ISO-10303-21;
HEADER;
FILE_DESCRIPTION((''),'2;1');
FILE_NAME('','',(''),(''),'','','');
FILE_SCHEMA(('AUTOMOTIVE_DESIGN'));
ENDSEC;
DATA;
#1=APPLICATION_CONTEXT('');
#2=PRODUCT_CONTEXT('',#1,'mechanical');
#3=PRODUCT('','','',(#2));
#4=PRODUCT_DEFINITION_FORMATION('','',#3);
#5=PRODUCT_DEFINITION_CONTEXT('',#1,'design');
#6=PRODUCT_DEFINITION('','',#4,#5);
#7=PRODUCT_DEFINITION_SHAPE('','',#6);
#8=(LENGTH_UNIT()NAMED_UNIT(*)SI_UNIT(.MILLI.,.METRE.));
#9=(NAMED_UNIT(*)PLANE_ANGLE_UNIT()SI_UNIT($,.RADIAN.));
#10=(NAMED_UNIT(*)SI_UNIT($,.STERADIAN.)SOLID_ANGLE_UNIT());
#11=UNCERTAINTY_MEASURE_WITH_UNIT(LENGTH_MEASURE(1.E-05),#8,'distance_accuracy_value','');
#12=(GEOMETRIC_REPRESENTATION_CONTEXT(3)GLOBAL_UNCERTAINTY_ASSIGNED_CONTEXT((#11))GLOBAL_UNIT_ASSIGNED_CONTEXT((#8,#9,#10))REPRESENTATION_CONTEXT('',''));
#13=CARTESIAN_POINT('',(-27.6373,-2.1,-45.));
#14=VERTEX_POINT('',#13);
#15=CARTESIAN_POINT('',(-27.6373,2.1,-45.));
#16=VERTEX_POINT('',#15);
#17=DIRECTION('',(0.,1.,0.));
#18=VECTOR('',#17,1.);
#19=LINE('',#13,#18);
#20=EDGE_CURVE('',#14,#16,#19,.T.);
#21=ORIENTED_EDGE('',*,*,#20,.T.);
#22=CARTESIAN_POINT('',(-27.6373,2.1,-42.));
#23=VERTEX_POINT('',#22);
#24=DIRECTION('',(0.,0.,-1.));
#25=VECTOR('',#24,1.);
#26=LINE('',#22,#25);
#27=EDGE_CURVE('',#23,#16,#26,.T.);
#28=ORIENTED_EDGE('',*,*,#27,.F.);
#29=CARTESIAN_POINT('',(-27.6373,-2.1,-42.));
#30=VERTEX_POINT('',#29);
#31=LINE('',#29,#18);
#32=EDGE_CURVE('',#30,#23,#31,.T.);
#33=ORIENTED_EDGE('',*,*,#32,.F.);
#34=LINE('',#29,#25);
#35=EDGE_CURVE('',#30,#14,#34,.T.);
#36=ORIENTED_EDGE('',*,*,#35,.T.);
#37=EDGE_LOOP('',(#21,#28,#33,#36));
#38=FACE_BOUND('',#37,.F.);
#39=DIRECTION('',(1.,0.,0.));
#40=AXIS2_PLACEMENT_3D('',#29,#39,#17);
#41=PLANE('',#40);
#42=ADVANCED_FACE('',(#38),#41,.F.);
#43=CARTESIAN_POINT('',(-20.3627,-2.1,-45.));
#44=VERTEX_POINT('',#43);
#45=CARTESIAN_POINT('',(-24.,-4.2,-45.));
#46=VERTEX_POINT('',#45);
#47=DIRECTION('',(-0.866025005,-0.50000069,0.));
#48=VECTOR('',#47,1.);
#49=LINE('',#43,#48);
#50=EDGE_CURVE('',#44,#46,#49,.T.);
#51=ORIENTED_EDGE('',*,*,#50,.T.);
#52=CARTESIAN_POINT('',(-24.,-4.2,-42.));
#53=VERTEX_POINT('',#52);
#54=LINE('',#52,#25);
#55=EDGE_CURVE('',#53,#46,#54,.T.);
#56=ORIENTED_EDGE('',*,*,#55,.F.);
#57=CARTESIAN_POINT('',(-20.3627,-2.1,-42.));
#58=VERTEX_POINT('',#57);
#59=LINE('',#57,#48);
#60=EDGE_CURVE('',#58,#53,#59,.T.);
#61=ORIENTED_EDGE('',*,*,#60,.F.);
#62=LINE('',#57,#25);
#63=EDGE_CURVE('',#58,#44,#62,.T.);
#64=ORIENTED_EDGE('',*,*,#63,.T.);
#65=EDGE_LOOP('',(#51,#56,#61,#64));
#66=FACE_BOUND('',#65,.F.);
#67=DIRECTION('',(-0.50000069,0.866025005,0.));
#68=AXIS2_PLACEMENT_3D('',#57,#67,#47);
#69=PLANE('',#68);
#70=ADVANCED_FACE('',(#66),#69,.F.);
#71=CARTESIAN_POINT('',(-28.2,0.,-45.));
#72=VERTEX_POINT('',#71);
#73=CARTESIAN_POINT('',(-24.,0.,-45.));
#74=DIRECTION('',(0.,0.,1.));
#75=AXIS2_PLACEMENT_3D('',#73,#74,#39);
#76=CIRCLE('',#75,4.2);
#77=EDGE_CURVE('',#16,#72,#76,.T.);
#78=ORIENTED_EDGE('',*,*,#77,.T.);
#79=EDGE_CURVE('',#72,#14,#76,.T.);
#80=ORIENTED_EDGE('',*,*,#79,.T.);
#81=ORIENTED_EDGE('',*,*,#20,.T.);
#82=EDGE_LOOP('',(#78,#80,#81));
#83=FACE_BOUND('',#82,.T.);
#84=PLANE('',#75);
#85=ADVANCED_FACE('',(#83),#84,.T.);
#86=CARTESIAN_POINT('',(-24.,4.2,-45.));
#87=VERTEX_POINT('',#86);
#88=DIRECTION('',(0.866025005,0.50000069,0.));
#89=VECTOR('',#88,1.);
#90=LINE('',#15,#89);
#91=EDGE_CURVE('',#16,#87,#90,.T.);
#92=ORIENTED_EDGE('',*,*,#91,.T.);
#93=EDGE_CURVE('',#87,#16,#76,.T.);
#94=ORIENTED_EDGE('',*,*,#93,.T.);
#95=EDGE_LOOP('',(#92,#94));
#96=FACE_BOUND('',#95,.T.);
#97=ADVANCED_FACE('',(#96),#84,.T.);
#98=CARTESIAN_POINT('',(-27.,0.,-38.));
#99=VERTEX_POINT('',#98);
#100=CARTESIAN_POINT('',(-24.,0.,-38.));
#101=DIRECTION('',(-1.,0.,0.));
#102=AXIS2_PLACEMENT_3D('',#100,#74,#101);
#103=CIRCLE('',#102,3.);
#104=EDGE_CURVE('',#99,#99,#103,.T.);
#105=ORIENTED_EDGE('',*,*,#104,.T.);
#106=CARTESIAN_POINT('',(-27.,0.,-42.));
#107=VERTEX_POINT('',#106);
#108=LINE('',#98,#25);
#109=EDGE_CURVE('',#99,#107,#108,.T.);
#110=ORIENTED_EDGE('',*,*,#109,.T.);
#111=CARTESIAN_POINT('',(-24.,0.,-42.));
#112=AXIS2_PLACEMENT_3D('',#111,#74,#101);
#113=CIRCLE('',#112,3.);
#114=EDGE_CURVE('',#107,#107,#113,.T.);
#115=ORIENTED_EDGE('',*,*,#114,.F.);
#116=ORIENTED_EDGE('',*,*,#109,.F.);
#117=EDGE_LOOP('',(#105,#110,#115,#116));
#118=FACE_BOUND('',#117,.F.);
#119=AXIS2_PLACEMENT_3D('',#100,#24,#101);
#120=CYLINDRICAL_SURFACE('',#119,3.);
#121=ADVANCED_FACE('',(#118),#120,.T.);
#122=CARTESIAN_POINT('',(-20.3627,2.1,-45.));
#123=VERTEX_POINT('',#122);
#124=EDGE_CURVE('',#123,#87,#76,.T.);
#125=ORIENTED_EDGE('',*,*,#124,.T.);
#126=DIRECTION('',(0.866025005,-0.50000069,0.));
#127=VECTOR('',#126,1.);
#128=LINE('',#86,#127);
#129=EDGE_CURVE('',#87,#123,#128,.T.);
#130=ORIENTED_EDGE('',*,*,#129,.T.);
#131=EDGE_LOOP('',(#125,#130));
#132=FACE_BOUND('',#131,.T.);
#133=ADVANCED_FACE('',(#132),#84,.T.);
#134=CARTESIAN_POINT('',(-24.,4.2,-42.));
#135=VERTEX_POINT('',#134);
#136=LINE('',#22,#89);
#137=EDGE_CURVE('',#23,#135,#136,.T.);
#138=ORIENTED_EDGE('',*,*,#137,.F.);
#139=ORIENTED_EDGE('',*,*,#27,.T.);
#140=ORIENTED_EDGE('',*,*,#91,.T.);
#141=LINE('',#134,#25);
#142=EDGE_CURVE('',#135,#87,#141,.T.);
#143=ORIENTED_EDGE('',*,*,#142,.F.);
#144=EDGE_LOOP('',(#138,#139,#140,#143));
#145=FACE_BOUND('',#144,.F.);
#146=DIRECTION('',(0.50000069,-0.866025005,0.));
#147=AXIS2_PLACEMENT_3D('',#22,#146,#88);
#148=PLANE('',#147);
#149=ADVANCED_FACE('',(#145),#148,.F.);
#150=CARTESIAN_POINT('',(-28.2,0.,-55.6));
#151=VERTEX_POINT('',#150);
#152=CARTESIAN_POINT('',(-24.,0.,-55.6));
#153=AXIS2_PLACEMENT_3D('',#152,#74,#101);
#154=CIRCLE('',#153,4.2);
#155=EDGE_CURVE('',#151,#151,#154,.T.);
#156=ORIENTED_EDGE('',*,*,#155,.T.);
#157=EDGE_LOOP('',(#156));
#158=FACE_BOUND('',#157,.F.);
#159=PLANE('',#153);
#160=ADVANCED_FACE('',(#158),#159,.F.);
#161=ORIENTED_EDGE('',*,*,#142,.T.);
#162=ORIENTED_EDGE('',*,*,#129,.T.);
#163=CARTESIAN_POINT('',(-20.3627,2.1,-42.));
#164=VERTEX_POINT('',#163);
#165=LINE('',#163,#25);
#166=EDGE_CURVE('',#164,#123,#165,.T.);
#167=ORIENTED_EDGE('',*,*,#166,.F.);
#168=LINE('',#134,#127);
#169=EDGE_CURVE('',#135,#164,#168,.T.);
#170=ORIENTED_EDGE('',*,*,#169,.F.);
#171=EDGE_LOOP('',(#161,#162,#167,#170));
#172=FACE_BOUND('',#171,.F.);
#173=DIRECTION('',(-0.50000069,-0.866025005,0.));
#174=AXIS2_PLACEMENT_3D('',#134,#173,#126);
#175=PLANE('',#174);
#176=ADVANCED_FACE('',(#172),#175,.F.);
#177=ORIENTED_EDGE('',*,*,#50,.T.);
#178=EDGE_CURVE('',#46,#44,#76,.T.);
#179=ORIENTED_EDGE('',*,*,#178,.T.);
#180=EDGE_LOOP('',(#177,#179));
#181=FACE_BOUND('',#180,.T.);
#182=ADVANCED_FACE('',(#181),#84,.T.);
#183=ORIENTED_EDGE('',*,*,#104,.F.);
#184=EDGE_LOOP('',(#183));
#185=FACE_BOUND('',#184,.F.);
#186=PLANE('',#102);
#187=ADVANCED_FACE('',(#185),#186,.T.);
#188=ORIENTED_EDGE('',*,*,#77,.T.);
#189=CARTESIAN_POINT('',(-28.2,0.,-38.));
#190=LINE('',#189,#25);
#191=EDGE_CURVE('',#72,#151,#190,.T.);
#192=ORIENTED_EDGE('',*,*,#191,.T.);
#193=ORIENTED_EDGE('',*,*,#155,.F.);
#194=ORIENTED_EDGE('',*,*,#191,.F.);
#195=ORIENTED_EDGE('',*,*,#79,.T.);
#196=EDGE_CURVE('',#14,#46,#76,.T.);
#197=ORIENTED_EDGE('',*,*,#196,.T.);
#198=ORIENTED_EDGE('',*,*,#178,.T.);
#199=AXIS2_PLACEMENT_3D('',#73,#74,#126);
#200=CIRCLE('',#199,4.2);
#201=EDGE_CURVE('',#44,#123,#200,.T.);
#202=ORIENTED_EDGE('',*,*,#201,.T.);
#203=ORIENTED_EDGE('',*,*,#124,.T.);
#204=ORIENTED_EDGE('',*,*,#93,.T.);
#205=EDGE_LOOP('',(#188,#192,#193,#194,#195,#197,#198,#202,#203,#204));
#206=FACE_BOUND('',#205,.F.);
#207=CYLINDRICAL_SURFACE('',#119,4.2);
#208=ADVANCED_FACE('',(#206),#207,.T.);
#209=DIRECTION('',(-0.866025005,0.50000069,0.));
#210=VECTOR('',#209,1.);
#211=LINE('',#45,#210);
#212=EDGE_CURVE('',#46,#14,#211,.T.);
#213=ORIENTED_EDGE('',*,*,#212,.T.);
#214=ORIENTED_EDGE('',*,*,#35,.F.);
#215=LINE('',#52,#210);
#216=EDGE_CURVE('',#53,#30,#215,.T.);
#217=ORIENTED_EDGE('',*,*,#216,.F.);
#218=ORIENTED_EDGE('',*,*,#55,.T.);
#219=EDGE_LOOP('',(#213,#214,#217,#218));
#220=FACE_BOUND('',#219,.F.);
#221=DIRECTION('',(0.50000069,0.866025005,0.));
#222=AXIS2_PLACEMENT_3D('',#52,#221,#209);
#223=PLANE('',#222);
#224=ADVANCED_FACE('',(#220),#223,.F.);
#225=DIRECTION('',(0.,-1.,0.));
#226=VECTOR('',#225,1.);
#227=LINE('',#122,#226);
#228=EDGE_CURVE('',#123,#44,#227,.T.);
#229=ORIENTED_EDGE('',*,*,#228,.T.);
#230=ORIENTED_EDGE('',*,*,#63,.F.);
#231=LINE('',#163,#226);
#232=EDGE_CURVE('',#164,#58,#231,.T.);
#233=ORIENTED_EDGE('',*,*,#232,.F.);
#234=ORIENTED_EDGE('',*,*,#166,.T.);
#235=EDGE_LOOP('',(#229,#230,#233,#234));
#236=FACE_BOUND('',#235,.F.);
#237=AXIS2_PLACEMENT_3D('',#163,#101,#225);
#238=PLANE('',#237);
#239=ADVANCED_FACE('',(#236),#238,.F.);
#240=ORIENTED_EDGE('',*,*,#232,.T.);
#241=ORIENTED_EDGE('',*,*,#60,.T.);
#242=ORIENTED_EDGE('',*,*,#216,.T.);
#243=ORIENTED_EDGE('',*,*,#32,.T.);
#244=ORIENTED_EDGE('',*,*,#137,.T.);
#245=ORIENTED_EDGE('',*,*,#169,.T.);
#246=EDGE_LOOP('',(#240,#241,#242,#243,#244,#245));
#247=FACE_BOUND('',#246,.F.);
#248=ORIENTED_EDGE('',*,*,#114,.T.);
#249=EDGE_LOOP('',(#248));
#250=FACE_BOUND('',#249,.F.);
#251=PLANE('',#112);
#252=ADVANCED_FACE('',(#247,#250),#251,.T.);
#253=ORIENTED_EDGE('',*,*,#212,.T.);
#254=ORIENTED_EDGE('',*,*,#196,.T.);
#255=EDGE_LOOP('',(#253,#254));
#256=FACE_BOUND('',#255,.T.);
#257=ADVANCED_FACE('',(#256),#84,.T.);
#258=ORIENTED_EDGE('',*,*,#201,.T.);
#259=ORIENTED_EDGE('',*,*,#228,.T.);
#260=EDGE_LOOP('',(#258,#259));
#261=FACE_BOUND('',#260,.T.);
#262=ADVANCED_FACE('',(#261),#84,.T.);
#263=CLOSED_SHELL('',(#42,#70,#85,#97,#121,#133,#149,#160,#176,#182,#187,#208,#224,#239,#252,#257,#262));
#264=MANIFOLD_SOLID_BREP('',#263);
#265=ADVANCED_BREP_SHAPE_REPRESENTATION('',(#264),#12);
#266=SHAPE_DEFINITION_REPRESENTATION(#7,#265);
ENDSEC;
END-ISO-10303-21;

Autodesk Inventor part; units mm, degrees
ref_plane "YZ Plane" through (0, 0, 0) normal (1, 0, 0) x (0, 1, 0)
ref_plane "XZ Plane" through (0, 0, 0) normal (0, 1, 0) x (-1, 0, 0)
ref_plane "XY Plane" through (0, 0, 0) normal (0, 0, 1) x (1, 0, 0)
sketch "Sketch1" plane through (0, 0, 0) normal (0, 1, 0) x (-1, 0, 0)
  line L0 (24, -38) -> (28.2, -38)
  line L1 (28.2, -38) -> (28.2, -55.6)
  line L2 (28.2, -55.6) -> (24, -55.6)
  line L3 (24, -55.6) -> (24, -38)
  line L4 (24, -38) -> (27, -38)
  line L5 (27, -38) -> (27, -42)
  line L6 (27, -42) -> (24, -42)
  line L7 (24, -42) -> (24, -38)
  line L8 (27, -42) -> (28.2, -42)
  line L9 (28.2, -42) -> (28.2, -38)
  line L10 (28.2, -38) -> (27, -38)
  line L11 (27, -38) -> (27, -42)
  point P0 (0, 0)
  dimension "d0" = 4.2
  dimension "d1" = 17.6
  dimension "d2" = 3
  dimension "d3" = 4
revolve "Revolution1" add sketch "Sketch1" angle 360 about axis through (-24, 0, -55.6) along (0, 0, 1) contours L0 L5 L6 L3 | L6 L8 L1 L2 L3
sketch "Sketch2" plane through (-24, 0, -42) normal (0, 0, 1) x (1, 0, 0)
  circle A0 centre (0, 0) radius 3 projected
  circle A1 centre (0, 0) radius 4.2 projected
  line L0 (0, 4.2) -> (3.6373, 2.1)
  line L1 (3.6373, 2.1) -> (3.6373, -2.1)
  line L2 (3.6373, -2.1) -> (0, -4.2)
  line L3 (0, -4.2) -> (-3.6373, -2.1)
  line L4 (-3.6373, -2.1) -> (-3.6373, 2.1)
  line L5 (-3.6373, 2.1) -> (0, 4.2)
  point P0 (24, 0)
  point P1 (-3.6373, 2.1)
  point P2 (-3.6373, 2.1)
  point P3 (-3.6373, -2.1)
  point P4 (-3.6373, -2.1)
  point P5 (0, -4.2)
  point P6 (0, -4.2)
  point P7 (3.6373, 2.1)
  point P8 (3.6373, 2.1)
extrude "Extrusion1" cut sketch "Sketch2" against normal blind 3 contours A1 L1 | L0 A1 | A1 L2 | L5 A1 | A1 L3 | L4 A1
properties part number "pm6m6 fitting dtraight"
